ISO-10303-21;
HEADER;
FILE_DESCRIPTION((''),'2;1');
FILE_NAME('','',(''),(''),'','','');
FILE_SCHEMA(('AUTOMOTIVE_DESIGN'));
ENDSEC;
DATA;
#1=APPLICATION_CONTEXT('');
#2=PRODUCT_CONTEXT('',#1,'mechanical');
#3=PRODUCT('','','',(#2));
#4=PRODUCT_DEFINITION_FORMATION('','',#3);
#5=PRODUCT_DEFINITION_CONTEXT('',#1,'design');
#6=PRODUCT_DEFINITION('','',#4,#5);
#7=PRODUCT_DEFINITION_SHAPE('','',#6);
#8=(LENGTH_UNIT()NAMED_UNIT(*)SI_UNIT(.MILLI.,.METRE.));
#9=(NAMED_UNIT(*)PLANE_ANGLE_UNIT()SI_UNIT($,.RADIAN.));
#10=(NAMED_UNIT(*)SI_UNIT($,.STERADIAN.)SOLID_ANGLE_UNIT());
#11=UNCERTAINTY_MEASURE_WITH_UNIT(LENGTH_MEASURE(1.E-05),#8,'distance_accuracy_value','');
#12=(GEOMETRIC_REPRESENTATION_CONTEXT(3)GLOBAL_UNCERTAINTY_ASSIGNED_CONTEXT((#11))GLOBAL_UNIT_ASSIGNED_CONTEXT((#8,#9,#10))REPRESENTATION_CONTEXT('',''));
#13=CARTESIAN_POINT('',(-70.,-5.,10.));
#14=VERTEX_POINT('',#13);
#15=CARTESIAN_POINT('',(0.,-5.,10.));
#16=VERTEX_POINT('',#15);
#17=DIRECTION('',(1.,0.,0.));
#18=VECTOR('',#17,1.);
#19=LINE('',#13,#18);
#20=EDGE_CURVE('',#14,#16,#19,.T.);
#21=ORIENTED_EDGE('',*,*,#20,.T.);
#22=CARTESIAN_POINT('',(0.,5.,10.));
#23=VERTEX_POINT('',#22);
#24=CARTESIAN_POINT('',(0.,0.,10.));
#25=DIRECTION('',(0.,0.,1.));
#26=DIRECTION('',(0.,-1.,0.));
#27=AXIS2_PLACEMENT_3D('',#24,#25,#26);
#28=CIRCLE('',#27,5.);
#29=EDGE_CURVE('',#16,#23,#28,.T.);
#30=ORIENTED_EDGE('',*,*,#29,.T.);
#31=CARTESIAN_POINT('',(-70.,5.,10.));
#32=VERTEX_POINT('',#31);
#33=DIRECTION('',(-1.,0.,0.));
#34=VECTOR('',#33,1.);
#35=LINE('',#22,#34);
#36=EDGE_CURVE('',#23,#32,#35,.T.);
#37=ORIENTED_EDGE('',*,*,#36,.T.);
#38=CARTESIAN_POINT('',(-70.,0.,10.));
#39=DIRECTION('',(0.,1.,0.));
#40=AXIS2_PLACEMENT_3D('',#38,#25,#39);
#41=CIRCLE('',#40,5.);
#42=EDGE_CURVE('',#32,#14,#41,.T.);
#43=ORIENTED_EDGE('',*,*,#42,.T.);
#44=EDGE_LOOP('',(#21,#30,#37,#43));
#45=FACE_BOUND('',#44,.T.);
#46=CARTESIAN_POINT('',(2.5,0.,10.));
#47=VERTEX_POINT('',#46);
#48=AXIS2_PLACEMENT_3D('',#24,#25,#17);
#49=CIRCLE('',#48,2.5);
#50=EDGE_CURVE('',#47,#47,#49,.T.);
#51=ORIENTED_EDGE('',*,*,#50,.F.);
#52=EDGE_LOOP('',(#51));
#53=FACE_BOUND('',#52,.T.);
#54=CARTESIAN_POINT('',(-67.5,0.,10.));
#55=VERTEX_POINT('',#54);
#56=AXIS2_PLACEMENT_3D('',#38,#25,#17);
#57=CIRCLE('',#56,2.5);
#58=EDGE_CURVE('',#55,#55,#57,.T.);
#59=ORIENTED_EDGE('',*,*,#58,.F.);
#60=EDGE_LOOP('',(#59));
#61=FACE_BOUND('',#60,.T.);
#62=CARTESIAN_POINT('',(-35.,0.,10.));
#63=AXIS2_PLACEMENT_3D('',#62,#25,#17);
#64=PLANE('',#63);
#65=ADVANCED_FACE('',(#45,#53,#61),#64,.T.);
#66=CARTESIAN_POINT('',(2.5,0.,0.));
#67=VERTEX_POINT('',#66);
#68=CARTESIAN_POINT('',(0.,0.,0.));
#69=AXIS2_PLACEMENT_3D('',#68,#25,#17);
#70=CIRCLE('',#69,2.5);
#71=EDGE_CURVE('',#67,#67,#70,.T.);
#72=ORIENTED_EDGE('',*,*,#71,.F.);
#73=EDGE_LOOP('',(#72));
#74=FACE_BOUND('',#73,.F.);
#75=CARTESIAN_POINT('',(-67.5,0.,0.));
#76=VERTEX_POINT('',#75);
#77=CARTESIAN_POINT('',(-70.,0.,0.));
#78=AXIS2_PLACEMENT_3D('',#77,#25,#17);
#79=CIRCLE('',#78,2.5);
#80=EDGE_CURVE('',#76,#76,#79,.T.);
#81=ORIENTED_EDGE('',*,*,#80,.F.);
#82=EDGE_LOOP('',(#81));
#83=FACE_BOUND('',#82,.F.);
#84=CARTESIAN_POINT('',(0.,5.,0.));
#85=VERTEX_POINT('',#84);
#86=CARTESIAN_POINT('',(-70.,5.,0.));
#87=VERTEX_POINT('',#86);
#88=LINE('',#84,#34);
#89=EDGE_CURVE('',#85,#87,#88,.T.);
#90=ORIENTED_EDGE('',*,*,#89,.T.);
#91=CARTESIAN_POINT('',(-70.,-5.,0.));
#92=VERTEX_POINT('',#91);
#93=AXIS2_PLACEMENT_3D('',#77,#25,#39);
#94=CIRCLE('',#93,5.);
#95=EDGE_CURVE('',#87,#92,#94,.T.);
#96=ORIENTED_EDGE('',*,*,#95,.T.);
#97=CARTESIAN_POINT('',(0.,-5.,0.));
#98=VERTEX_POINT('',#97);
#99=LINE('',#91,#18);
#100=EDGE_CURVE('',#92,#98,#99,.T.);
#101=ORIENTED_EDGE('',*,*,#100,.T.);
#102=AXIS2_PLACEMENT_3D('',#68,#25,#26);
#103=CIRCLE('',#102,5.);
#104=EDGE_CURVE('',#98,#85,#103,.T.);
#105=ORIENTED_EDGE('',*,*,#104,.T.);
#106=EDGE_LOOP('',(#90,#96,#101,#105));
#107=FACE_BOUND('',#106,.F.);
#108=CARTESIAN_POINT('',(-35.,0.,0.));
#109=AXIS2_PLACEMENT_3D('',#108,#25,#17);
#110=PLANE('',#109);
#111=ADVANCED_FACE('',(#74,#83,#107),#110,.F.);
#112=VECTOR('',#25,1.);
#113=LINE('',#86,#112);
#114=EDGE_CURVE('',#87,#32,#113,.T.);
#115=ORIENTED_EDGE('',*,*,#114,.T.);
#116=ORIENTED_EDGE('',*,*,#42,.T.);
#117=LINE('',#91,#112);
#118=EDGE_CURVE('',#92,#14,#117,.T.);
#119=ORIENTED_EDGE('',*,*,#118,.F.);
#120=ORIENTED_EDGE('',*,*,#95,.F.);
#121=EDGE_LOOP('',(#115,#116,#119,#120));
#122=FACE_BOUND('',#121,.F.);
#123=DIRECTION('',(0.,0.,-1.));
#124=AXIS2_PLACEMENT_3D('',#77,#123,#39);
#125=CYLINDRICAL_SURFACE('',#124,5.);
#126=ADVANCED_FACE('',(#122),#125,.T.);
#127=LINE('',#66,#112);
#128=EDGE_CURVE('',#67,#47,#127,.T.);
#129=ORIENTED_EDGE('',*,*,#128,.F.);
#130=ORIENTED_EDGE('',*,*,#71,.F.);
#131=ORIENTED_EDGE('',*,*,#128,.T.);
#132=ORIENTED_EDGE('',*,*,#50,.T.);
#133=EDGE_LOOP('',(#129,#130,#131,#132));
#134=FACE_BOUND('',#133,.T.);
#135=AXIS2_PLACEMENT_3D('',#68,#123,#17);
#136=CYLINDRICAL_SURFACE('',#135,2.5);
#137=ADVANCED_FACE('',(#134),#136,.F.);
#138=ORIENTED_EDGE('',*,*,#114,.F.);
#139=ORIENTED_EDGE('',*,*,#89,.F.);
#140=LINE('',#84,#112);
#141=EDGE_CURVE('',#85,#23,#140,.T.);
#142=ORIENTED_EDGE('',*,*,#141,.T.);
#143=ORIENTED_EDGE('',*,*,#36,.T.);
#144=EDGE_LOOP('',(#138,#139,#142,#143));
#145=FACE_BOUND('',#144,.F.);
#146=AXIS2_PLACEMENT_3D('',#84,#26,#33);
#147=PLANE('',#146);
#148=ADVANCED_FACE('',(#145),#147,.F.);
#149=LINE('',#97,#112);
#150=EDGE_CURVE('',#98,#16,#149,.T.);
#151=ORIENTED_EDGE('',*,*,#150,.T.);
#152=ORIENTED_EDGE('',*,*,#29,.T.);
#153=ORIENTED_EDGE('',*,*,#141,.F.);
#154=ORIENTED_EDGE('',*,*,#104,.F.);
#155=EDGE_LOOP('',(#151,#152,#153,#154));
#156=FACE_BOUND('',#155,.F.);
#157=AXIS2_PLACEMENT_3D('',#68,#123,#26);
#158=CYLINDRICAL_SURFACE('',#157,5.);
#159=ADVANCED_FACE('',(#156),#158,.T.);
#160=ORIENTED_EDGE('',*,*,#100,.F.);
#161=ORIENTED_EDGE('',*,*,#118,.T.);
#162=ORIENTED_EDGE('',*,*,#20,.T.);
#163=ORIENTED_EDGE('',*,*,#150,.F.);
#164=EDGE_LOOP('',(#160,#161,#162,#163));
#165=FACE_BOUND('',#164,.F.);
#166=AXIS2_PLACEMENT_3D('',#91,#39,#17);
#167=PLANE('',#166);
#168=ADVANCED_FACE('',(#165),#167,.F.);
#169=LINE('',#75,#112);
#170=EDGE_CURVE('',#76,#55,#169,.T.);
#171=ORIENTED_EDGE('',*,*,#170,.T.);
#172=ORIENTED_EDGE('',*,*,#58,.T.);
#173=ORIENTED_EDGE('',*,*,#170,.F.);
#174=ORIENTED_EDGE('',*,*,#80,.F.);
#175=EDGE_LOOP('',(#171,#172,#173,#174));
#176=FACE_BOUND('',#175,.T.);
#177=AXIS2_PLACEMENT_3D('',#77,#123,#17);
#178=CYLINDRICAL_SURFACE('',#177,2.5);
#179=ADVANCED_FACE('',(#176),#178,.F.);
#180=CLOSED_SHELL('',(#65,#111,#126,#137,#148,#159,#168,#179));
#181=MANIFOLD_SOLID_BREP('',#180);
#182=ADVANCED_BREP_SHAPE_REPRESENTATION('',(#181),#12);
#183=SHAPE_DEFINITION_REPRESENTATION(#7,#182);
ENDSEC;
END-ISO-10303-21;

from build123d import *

# Parameters (mm, degrees)
SKETCH1_R           = 2.5
BOSS_EXTRUDE1_DEPTH = 10


with BuildPart() as part:
    # Sketch1 → Boss-Extrude1 (new body)
    with BuildSketch(Plane.XY):
        with BuildLine():
            Line((0, 5), (-70, 5))
            ThreePointArc((-70, 5), (-75, 0), (-70, -5))
            Line((-70, -5), (0, -5))
            ThreePointArc((0, -5), (5, 0), (0, 5))
        make_face()
        Circle(SKETCH1_R, mode=Mode.SUBTRACT)
        with Locations((-70, 0)):
            Circle(SKETCH1_R, mode=Mode.SUBTRACT)
    extrude(amount=BOSS_EXTRUDE1_DEPTH)


solid = part.part
